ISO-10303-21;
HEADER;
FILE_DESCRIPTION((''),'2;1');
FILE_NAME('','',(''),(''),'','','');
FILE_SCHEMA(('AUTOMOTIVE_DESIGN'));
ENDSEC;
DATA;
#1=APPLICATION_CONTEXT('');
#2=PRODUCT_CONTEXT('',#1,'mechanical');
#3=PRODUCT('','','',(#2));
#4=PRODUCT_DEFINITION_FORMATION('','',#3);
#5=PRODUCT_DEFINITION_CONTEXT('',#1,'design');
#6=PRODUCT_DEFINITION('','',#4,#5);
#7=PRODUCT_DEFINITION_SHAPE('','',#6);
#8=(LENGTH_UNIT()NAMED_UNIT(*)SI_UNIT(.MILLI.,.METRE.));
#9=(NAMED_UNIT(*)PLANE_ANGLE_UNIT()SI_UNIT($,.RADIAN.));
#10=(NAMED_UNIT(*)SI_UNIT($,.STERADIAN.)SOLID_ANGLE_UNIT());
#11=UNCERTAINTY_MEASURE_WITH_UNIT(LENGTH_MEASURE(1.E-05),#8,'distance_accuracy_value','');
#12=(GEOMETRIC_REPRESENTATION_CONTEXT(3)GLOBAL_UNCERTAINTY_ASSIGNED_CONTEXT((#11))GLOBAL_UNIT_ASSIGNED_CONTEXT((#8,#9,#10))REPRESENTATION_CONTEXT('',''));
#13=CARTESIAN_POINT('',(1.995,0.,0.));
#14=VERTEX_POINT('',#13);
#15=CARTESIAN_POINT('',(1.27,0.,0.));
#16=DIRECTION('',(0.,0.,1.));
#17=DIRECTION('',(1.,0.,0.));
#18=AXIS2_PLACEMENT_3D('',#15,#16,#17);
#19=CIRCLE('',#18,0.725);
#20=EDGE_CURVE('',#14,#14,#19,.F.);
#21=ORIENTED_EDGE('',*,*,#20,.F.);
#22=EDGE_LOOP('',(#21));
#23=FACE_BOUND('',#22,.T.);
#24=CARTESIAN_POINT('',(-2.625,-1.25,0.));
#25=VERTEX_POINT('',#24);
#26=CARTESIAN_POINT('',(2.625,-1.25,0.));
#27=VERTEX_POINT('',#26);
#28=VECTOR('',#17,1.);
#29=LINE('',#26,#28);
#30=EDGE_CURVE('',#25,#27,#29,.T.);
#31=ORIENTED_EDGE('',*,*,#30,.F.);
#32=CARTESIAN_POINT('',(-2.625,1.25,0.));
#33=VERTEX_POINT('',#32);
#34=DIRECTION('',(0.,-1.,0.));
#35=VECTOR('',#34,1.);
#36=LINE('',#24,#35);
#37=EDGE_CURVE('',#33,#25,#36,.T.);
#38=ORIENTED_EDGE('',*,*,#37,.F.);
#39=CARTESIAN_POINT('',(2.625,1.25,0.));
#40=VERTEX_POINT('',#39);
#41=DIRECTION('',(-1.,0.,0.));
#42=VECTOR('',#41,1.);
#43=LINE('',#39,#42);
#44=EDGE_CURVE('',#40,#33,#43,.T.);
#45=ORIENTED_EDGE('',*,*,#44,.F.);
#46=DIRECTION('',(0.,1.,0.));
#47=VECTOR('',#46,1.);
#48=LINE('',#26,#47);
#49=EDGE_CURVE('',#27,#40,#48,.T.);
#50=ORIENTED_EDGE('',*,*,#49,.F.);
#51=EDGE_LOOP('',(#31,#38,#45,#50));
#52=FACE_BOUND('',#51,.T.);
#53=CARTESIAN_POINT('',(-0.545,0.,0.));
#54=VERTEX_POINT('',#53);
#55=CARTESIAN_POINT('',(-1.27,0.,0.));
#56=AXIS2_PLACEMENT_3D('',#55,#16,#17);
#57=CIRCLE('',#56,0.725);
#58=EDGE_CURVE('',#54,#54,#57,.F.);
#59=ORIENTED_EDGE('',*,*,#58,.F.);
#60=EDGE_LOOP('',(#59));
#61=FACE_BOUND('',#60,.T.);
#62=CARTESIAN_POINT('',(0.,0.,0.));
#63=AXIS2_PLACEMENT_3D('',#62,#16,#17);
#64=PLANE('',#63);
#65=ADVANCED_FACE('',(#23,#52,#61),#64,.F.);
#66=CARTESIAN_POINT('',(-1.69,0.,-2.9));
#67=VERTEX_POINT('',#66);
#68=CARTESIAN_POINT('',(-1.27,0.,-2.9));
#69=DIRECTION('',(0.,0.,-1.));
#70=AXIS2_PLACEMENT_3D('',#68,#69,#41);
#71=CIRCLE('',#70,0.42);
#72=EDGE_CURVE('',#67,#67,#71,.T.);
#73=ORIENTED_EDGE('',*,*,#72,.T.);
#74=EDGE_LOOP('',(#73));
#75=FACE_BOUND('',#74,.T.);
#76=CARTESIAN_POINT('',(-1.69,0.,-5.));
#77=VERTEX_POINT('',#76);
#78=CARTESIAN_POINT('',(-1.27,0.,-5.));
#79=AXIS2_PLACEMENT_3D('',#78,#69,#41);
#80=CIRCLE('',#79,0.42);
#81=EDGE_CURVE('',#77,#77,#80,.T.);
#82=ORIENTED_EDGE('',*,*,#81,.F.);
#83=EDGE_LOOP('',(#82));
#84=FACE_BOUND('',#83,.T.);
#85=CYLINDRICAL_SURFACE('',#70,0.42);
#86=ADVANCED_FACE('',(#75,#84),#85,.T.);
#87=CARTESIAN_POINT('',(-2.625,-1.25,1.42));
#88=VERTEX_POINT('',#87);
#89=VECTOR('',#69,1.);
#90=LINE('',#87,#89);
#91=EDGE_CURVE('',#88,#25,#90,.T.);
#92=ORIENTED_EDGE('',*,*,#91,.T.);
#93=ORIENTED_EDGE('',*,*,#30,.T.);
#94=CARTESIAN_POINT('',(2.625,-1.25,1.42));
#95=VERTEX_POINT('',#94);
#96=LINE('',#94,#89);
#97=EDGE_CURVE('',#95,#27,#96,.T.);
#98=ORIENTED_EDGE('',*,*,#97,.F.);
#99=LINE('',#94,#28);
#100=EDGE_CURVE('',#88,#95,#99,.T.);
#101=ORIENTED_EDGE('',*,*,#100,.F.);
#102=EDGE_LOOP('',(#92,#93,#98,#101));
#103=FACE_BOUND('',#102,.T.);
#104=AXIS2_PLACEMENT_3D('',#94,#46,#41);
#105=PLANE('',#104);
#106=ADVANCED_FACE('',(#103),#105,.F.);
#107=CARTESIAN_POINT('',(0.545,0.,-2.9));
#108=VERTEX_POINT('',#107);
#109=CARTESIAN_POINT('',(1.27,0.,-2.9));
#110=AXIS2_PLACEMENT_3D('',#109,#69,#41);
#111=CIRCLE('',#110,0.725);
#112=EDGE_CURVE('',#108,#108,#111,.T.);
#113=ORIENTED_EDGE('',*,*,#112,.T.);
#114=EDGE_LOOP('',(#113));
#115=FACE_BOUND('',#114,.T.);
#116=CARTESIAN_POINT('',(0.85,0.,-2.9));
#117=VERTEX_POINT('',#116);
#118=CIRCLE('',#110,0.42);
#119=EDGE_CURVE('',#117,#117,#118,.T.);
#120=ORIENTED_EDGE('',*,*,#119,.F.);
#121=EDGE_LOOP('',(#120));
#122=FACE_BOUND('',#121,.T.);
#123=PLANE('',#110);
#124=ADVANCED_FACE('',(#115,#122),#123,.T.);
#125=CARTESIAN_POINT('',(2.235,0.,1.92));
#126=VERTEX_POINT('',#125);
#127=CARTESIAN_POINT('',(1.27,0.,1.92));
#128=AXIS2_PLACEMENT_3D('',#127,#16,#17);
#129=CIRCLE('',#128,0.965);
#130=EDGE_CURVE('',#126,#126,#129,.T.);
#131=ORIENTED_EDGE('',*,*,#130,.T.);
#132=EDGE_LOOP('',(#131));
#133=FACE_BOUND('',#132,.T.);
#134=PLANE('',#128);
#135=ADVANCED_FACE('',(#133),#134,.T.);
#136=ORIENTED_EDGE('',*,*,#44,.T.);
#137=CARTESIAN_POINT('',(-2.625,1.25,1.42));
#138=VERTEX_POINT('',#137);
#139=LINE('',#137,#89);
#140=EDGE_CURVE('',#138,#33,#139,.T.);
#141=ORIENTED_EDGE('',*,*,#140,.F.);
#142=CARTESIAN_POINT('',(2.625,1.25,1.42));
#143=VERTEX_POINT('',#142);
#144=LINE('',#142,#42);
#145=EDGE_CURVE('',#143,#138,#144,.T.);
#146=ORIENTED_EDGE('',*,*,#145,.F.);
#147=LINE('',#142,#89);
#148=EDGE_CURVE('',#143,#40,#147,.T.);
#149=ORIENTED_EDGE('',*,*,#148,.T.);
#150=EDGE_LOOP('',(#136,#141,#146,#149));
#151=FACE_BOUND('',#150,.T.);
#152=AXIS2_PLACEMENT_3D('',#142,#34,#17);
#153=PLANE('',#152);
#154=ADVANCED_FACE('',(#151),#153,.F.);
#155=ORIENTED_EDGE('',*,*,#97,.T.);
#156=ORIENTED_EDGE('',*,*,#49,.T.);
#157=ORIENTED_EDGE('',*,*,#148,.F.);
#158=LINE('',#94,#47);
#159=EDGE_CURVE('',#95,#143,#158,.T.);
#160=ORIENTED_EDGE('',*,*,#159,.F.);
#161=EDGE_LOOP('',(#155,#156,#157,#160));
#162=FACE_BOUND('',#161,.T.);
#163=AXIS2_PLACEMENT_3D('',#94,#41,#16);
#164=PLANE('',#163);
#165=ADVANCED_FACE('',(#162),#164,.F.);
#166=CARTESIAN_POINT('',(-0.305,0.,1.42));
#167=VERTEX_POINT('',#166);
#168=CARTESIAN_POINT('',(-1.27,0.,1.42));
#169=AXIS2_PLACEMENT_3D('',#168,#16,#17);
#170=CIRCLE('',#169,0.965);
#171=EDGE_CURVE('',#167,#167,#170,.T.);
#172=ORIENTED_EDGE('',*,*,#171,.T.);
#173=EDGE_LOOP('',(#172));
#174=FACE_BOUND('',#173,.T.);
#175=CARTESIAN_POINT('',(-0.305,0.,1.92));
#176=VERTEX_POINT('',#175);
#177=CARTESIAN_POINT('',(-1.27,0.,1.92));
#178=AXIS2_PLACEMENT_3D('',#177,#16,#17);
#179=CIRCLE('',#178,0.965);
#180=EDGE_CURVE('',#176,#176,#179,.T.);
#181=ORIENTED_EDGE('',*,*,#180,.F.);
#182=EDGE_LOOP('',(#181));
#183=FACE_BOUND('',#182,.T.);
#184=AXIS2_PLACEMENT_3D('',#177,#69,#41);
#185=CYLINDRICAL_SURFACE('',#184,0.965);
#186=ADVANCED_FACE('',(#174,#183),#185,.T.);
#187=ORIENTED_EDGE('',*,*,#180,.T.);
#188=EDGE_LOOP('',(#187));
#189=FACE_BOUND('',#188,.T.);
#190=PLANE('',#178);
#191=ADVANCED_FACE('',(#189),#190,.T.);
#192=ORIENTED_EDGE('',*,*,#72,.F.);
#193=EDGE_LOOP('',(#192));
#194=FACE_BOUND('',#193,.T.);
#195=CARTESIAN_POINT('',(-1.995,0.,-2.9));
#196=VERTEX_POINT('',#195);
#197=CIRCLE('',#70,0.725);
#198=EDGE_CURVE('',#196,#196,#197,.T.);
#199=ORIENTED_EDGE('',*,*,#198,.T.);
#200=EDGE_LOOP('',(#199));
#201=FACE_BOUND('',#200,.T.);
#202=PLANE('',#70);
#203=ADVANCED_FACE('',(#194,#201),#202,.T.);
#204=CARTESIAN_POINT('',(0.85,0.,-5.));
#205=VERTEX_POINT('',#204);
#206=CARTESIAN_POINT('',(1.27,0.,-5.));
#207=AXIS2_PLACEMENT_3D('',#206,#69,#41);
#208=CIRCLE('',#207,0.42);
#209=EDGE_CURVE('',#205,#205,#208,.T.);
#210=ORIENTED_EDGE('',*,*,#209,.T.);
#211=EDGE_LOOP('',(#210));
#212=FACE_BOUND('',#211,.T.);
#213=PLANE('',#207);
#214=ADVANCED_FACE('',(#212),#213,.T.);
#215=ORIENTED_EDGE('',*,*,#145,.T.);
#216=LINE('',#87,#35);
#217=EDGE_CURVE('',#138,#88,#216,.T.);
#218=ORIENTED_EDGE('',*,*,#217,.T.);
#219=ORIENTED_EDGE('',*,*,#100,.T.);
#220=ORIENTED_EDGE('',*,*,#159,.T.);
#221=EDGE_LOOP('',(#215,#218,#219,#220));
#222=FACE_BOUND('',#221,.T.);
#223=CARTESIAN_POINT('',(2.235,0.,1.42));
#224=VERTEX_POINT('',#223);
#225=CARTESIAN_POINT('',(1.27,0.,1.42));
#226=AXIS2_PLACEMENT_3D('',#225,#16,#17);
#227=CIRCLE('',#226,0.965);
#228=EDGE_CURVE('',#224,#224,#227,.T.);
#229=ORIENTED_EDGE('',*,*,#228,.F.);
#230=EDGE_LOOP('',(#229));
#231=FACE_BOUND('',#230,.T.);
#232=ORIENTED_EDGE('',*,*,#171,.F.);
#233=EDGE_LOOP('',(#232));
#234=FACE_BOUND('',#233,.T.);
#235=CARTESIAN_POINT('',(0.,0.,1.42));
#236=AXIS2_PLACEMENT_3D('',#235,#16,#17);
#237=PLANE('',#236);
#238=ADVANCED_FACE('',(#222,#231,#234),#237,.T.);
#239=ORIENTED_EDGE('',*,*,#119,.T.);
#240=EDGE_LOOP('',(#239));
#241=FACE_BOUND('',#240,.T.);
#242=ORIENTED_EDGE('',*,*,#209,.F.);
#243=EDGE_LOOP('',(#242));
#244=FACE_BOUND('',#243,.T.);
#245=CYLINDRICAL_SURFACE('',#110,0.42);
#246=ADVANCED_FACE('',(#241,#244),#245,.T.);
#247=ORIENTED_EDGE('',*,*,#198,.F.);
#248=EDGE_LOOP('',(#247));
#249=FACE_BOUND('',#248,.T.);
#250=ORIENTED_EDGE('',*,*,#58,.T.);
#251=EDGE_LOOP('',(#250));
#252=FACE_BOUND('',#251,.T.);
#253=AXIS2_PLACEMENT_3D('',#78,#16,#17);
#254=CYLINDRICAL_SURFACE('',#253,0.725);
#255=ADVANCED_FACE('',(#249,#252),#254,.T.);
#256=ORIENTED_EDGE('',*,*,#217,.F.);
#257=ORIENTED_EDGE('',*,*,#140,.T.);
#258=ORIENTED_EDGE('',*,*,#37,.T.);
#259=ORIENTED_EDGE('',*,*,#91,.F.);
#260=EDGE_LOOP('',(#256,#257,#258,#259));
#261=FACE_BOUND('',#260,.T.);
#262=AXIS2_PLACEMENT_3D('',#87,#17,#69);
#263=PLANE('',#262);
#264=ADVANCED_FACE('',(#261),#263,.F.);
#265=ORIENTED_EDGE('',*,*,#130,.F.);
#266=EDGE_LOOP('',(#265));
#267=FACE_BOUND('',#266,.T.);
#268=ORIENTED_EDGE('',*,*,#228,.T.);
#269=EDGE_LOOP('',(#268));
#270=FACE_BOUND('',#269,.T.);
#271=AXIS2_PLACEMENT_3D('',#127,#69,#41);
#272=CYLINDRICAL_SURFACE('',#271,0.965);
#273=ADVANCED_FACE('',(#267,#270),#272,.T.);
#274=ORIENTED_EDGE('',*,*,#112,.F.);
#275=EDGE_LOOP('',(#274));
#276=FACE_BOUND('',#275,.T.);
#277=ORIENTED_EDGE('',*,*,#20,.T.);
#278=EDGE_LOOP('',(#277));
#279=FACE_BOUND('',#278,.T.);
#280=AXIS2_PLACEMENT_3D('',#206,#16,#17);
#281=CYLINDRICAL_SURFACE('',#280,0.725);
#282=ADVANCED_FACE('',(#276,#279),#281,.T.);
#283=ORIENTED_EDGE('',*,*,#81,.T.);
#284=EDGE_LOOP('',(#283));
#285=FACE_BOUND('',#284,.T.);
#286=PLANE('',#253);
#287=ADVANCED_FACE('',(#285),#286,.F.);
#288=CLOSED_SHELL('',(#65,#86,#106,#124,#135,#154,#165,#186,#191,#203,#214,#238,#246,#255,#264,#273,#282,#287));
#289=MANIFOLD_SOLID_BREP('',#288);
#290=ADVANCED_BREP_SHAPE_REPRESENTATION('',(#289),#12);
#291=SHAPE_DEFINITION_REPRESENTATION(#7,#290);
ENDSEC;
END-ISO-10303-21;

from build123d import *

# Parameters (mm, degrees)
SKETCH_1_W          = 5.25
SKETCH_1_H          = 2.5
EXTRUDE_1_DEPTH     = 1.42
SKETCH_2_R          = 0.725
EXTRUDE_2_DEPTH     = 5
SKETCH_3_R          = 0.965
EXTRUDE_3_DEPTH     = 0.5
CUT_EXTRUDE_START   = -2.1
SKETCH_4_R          = 0.725
SKETCH_4_R_2        = 0.42
CUT_EXTRUDE_1_DEPTH = 2.1


with BuildPart() as part:
    # ｽｹｯﾁ1 → ﾎﾞｽ - 押し出し1 (new body)
    with BuildSketch(Plane.XY):
        Rectangle(SKETCH_1_W, SKETCH_1_H)
    extrude(amount=EXTRUDE_1_DEPTH)

    # ｽｹｯﾁ2 → ﾎﾞｽ - 押し出し2 (add)
    with BuildSketch(Plane(origin=(0, 0, 0), x_dir=(-1, 0, 0), z_dir=(0, 0, -1))):
        with Locations(Location((-1.27, 0, 0), (0, 0, 180))):
            Circle(SKETCH_2_R)
        with Locations(Location((1.27, 0, 0), (0, 0, 180))):
            Circle(SKETCH_2_R)
    extrude(amount=EXTRUDE_2_DEPTH)

    # ｽｹｯﾁ3 → ﾎﾞｽ - 押し出し3 (add)
    with BuildSketch(Plane.XY.offset(1.42)):
        with Locations((-1.27, 0)):
            Circle(SKETCH_3_R)
        with Locations((1.27, 0)):
            Circle(SKETCH_3_R)
    extrude(amount=EXTRUDE_3_DEPTH)

    # ｽｹｯﾁ4 → ｶｯﾄ - 押し出し1 (cut)
    # profile 1 of 2: a face of its own
    with BuildSketch(Plane(origin=(0, 0, -5), x_dir=(-1, 0, 0), z_dir=(0, 0, -1)).offset(CUT_EXTRUDE_START)):
        with Locations(Location((-1.27, 0, 0), (0, 0, 180))):
            Circle(SKETCH_4_R)
        with Locations((-1.27, 0)):
            Circle(SKETCH_4_R_2, mode=Mode.SUBTRACT)
    # profile 2 of 2: a face of its own
    with BuildSketch(Plane(origin=(0, 0, -5), x_dir=(-1, 0, 0), z_dir=(0, 0, -1)).offset(CUT_EXTRUDE_START)):
        with Locations(Location((1.27, 0, 0), (0, 0, 180))):
            Circle(SKETCH_4_R)
        with Locations((1.27, 0)):
            Circle(SKETCH_4_R_2, mode=Mode.SUBTRACT)
    extrude(amount=CUT_EXTRUDE_1_DEPTH, mode=Mode.SUBTRACT)


solid = part.part
